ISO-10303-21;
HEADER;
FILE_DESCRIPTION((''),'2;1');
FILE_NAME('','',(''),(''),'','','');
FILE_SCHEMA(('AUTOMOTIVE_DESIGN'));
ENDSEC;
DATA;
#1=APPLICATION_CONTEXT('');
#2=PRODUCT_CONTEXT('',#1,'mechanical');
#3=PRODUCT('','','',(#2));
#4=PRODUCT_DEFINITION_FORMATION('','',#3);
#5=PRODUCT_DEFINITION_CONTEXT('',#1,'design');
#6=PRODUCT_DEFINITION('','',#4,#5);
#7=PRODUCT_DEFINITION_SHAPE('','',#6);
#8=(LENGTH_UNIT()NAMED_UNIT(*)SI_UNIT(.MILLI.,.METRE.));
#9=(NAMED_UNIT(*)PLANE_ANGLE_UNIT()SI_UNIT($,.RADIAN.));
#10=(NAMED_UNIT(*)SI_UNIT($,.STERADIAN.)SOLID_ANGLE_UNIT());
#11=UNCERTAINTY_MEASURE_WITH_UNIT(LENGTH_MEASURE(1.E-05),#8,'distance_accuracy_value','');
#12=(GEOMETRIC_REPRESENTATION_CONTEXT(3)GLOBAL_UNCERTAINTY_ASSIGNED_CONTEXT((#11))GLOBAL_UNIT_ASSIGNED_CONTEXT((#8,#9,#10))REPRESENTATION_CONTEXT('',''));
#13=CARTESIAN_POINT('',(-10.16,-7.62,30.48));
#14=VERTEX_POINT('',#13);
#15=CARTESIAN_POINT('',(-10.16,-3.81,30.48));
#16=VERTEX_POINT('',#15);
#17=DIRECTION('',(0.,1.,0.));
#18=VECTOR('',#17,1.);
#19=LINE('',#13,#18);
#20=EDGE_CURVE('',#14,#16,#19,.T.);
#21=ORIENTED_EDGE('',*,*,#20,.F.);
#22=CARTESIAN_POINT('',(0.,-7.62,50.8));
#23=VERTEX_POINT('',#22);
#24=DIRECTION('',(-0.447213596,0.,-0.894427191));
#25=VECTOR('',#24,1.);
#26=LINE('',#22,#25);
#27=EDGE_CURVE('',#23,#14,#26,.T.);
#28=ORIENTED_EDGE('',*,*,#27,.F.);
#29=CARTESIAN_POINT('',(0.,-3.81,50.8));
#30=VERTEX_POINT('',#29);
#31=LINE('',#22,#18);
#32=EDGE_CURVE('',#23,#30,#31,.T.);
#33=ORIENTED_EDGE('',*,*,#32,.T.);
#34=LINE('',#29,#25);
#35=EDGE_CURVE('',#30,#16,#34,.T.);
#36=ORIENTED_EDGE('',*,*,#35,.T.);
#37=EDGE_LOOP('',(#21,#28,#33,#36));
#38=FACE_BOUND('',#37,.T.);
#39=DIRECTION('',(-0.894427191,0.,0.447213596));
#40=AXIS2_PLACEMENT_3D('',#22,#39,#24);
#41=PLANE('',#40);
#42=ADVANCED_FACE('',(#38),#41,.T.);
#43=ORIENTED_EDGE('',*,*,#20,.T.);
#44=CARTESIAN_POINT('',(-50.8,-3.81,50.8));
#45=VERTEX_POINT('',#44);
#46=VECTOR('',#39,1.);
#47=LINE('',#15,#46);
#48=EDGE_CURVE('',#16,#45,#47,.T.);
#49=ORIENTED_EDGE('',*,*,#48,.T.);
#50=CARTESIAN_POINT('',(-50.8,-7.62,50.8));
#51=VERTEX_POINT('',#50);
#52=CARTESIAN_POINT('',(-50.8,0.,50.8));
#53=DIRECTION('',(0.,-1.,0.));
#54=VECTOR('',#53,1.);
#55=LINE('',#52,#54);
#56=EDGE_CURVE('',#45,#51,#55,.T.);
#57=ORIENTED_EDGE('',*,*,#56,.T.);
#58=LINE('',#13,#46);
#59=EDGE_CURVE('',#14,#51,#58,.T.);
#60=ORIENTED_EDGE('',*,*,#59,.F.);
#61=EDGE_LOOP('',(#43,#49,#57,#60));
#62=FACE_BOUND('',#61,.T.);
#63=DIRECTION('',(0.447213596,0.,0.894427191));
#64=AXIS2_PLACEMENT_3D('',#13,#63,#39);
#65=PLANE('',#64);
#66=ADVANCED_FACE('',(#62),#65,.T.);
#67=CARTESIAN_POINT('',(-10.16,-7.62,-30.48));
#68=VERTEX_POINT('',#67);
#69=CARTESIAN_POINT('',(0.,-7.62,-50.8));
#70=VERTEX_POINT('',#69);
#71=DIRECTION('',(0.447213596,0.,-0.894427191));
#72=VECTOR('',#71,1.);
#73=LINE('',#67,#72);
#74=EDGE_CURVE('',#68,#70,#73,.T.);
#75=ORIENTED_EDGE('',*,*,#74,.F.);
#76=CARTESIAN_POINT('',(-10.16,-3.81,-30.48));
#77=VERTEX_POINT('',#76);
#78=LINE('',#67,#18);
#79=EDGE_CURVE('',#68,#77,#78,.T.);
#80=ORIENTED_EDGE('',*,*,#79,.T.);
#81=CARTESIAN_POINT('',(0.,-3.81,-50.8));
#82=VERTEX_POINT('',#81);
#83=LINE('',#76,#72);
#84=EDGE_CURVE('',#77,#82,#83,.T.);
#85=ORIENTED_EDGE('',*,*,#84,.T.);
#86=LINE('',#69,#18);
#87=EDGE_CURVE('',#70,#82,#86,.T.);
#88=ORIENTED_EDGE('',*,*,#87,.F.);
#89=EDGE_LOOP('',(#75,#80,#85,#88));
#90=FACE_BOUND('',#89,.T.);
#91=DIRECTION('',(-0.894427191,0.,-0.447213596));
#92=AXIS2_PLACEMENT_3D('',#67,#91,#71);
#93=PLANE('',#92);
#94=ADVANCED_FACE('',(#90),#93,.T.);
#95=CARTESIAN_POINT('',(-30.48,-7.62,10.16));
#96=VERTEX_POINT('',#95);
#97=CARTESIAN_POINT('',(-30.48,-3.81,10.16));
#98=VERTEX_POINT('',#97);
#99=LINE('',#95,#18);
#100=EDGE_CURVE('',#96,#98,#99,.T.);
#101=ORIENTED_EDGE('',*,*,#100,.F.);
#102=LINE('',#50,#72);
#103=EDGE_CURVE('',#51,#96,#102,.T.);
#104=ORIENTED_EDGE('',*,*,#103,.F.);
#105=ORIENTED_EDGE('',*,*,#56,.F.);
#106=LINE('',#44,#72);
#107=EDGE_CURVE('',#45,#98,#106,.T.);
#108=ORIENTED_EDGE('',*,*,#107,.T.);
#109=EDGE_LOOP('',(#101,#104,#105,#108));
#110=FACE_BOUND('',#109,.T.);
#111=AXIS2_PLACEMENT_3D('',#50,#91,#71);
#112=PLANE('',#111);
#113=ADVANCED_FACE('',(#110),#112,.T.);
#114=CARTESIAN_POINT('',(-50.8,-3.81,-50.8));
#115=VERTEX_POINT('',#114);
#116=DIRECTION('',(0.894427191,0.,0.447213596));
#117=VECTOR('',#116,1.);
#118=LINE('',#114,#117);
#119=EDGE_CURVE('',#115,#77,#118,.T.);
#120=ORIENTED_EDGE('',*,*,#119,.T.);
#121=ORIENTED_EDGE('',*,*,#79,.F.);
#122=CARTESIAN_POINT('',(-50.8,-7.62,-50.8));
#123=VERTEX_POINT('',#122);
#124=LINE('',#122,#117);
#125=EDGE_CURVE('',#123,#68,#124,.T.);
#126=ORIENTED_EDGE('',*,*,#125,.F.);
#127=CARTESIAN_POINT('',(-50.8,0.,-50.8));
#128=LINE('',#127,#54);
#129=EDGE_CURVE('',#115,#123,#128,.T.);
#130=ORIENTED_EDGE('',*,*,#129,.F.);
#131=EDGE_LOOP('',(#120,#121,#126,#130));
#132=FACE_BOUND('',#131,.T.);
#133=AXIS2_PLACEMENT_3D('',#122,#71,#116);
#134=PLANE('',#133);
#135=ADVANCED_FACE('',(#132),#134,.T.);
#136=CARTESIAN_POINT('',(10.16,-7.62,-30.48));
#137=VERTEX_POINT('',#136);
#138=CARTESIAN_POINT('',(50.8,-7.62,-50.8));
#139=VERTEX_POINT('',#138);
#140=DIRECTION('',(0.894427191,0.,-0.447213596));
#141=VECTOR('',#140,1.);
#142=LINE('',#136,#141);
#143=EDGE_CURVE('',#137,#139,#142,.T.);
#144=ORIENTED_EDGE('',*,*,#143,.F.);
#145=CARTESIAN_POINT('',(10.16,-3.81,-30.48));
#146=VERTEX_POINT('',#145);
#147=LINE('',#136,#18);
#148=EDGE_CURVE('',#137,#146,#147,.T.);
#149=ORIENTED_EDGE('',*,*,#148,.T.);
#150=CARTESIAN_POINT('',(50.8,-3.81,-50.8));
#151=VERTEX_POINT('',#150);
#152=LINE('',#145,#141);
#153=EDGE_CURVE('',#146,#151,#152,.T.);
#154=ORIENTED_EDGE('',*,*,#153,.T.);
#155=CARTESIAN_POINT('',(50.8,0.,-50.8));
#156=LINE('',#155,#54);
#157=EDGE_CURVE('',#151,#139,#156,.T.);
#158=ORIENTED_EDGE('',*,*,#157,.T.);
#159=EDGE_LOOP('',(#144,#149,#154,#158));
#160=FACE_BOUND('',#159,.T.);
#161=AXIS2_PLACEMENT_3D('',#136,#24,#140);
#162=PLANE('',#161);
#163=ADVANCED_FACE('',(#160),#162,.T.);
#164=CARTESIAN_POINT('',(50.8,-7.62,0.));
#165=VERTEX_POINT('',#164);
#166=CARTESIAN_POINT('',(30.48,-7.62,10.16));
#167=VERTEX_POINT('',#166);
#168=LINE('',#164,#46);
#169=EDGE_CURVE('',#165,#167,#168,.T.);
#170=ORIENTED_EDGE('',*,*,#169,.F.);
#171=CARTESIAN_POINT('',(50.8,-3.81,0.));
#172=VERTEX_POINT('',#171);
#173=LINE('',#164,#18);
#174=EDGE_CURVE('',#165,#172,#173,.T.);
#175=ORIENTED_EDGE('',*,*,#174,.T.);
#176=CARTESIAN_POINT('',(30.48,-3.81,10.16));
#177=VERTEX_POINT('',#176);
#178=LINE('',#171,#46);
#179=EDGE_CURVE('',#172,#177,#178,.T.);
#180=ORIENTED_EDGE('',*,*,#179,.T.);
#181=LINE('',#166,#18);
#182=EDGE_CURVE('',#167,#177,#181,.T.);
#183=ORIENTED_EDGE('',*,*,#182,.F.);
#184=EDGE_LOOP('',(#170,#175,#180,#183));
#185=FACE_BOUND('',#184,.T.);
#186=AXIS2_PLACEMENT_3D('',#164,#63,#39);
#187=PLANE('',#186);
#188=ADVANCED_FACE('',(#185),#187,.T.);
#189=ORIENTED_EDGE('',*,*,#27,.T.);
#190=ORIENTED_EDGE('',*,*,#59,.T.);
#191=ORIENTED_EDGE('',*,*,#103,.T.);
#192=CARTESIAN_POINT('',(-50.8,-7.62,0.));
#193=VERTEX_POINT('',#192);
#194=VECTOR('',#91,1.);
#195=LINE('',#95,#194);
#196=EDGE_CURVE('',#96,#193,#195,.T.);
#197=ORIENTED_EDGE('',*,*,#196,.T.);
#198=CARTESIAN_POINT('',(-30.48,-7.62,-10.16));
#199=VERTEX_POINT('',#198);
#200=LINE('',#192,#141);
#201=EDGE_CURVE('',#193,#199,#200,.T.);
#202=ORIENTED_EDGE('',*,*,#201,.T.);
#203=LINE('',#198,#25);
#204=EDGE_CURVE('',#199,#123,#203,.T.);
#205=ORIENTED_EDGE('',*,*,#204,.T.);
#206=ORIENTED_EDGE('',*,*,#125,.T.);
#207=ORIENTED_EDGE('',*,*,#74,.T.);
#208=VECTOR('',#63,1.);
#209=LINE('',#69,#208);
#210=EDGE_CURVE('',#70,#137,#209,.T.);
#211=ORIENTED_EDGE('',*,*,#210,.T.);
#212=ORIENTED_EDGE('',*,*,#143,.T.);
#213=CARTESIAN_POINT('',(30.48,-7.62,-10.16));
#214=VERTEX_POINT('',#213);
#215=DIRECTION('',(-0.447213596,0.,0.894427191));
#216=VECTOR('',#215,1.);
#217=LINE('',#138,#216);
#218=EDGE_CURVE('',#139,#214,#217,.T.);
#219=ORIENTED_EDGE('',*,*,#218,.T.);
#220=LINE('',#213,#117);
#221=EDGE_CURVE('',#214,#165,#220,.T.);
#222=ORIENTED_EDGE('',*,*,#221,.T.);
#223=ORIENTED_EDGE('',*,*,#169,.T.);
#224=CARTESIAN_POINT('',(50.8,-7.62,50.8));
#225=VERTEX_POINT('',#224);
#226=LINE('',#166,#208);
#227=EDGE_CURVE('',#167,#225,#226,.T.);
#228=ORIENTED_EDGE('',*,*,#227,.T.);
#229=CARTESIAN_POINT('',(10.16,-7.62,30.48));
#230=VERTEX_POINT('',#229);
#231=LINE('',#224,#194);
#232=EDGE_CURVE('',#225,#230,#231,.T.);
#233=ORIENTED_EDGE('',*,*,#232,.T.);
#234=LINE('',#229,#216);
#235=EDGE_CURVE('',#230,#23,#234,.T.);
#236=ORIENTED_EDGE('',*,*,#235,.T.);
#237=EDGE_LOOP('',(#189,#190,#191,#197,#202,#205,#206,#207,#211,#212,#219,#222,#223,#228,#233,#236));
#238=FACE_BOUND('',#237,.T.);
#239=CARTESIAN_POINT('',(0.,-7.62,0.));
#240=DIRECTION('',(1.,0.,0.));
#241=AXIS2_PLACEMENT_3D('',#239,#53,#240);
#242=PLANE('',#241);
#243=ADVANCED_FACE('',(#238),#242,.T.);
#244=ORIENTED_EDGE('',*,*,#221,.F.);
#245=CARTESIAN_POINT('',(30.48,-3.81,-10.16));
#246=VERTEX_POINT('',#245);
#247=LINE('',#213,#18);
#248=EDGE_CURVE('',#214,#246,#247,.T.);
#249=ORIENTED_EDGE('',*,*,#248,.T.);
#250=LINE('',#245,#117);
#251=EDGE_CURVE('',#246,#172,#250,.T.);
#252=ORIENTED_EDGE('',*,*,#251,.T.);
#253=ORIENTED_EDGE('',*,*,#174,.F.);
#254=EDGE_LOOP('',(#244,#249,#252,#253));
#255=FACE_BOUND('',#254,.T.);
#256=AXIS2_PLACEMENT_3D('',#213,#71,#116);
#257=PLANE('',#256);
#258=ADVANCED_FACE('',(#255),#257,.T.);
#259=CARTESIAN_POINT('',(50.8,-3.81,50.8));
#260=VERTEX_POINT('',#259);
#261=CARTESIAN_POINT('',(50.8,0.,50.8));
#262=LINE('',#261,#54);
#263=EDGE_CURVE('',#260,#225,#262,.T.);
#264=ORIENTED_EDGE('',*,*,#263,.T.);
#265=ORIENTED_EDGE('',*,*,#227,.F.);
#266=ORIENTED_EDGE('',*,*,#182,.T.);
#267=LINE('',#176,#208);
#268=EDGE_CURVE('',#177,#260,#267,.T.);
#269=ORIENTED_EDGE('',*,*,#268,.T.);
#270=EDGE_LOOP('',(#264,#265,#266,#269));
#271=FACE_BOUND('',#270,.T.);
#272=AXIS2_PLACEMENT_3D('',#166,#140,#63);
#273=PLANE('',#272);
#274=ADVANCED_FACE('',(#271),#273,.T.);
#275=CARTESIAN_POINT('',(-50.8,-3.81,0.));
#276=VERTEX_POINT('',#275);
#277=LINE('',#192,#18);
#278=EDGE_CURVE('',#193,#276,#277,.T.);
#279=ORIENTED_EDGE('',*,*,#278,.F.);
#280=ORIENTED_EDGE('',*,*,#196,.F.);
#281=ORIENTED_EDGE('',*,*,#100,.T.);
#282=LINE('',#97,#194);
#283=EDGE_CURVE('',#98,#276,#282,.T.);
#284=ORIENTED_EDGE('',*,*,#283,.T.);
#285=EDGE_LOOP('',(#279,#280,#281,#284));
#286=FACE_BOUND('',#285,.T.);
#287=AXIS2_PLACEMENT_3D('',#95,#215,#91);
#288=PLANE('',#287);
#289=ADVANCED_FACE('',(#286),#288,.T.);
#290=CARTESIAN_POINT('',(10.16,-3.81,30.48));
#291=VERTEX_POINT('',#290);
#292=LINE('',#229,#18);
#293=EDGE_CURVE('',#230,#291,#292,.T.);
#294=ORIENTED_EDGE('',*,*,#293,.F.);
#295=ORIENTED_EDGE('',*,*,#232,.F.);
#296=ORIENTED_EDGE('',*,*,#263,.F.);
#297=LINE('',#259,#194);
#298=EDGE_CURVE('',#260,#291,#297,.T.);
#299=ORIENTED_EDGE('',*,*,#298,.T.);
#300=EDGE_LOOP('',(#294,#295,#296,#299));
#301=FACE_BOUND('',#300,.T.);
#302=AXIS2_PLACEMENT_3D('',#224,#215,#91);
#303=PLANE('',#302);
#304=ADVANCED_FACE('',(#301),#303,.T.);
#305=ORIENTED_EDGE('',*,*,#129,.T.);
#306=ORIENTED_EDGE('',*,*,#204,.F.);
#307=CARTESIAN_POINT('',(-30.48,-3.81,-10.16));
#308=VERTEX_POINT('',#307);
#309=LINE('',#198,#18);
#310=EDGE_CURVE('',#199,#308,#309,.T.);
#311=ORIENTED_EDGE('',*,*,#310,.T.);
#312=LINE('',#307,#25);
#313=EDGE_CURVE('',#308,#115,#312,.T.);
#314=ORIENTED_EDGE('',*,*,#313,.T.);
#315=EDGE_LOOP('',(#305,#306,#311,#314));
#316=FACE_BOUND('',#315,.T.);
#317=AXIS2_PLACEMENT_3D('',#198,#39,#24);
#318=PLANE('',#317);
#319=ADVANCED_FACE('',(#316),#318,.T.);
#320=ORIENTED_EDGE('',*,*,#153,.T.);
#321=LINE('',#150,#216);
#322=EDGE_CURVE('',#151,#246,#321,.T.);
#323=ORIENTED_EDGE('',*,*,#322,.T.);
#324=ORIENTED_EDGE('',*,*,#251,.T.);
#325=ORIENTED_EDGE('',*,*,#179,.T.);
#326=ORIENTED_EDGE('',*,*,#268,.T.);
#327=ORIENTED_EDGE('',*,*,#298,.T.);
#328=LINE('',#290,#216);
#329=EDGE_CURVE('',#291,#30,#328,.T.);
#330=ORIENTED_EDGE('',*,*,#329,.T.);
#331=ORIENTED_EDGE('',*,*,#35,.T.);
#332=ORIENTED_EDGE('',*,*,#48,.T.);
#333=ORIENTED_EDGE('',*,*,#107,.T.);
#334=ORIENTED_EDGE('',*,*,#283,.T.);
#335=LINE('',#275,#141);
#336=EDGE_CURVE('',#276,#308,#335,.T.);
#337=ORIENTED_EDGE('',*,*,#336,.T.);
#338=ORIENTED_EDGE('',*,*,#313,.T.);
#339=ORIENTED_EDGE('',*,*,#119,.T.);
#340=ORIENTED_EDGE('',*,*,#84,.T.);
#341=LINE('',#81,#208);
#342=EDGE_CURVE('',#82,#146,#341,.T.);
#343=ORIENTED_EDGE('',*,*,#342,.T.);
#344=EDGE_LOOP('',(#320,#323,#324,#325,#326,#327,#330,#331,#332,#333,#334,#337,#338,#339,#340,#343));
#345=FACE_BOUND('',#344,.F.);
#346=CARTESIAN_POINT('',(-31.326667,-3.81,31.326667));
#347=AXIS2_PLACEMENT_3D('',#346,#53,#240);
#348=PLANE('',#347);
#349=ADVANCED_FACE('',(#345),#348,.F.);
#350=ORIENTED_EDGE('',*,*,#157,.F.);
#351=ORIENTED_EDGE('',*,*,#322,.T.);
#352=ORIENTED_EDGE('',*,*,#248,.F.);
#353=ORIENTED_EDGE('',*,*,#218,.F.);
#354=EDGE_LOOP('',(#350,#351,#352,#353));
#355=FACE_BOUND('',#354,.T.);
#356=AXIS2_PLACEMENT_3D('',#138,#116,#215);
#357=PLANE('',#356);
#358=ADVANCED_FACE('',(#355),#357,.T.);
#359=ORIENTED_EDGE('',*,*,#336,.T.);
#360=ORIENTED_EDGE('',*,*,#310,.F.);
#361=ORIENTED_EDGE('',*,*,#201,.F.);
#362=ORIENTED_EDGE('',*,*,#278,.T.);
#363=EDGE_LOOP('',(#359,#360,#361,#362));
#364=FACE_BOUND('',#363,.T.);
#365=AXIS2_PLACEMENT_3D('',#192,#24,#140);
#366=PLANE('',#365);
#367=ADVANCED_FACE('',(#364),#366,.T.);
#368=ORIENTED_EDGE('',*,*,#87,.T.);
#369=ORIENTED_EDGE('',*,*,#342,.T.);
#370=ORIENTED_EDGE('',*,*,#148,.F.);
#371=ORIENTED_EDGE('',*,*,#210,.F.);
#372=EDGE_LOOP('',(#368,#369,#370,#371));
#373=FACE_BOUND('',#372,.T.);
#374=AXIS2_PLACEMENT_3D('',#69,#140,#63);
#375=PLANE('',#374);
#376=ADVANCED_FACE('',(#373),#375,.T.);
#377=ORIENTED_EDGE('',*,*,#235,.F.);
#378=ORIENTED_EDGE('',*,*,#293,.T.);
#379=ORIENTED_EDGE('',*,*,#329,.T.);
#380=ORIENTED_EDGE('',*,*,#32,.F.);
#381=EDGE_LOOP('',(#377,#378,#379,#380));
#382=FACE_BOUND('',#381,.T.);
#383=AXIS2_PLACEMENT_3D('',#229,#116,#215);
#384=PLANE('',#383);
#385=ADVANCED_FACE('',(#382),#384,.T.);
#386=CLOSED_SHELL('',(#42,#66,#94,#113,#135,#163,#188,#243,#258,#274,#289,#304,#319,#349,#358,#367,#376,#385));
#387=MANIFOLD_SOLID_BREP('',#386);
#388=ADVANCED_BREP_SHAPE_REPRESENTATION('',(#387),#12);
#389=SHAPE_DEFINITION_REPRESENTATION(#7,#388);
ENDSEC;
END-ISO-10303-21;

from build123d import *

# Parameters (mm, degrees)
F0_W     = 101.6
F0_H     = 101.6
F1_DEPTH = 7.62
F3_DEPTH = 3.81


with BuildPart() as f1:
    # F0 (on Front) → F1 (new body)
    with BuildSketch(Plane.XZ):
        Rectangle(F0_W, F0_H)
    extrude(amount=F1_DEPTH)

    # F2 (on face) → F3 (intersect)
    with BuildSketch(Plane.XZ.offset(7.62)):
        Polygon((-16.9333333333, 16.9333333333), (-10.16, 30.48), (-50.8, 50.8), (-30.48, 10.16), align=None)
        Polygon((10.16, 30.48), (0, 50.8), (-10.16, 30.48), (0, 25.4), align=None)
        Polygon((0, 25.4), (-10.16, 30.48), (-16.9333333333, 16.9333333333), align=None)
        Polygon((16.9333333333, 16.9333333333), (10.16, 30.48), (0, 25.4), align=None)
        Polygon((50.8, 50.8), (10.16, 30.48), (16.9333333333, 16.9333333333), (30.48, 10.16), align=None)
        Polygon((50.8, 0), (30.48, 10.16), (25.4, 0), (30.48, -10.16), align=None)
        Polygon((50.8, -50.8), (30.48, -10.16), (16.9333333333, -16.9333333333), (10.16, -30.48), align=None)
        Polygon((-10.16, -30.48), (0, -50.8), (10.16, -30.48), (0, -25.4), align=None)
        Polygon((-16.9333333333, -16.9333333333), (-30.48, -10.16), (-50.8, -50.8), (-10.16, -30.48), align=None)
        Polygon((-25.4, 0), (-30.48, 10.16), (-50.8, 0), (-30.48, -10.16), align=None)
        Polygon((-25.4, 0), (-16.9333333333, 16.9333333333), (-30.48, 10.16), align=None)
        Polygon((0, 25.4), (-16.9333333333, 16.9333333333), (-25.4, 0), (-16.9333333333, -16.9333333333), (0, -25.4), (16.9333333333, -16.9333333333), (25.4, 0), (16.9333333333, 16.9333333333), align=None)
        Polygon((10.16, -30.48), (16.9333333333, -16.9333333333), (0, -25.4), align=None)
        Polygon((30.48, -10.16), (25.4, 0), (16.9333333333, -16.9333333333), align=None)
        Polygon((30.48, 10.16), (16.9333333333, 16.9333333333), (25.4, 0), align=None)
        Polygon((-16.9333333333, -16.9333333333), (-25.4, 0), (-30.48, -10.16), align=None)
        Polygon((0, -25.4), (-16.9333333333, -16.9333333333), (-10.16, -30.48), align=None)
    extrude(amount=-F3_DEPTH, mode=Mode.INTERSECT)


solid = f1.part
